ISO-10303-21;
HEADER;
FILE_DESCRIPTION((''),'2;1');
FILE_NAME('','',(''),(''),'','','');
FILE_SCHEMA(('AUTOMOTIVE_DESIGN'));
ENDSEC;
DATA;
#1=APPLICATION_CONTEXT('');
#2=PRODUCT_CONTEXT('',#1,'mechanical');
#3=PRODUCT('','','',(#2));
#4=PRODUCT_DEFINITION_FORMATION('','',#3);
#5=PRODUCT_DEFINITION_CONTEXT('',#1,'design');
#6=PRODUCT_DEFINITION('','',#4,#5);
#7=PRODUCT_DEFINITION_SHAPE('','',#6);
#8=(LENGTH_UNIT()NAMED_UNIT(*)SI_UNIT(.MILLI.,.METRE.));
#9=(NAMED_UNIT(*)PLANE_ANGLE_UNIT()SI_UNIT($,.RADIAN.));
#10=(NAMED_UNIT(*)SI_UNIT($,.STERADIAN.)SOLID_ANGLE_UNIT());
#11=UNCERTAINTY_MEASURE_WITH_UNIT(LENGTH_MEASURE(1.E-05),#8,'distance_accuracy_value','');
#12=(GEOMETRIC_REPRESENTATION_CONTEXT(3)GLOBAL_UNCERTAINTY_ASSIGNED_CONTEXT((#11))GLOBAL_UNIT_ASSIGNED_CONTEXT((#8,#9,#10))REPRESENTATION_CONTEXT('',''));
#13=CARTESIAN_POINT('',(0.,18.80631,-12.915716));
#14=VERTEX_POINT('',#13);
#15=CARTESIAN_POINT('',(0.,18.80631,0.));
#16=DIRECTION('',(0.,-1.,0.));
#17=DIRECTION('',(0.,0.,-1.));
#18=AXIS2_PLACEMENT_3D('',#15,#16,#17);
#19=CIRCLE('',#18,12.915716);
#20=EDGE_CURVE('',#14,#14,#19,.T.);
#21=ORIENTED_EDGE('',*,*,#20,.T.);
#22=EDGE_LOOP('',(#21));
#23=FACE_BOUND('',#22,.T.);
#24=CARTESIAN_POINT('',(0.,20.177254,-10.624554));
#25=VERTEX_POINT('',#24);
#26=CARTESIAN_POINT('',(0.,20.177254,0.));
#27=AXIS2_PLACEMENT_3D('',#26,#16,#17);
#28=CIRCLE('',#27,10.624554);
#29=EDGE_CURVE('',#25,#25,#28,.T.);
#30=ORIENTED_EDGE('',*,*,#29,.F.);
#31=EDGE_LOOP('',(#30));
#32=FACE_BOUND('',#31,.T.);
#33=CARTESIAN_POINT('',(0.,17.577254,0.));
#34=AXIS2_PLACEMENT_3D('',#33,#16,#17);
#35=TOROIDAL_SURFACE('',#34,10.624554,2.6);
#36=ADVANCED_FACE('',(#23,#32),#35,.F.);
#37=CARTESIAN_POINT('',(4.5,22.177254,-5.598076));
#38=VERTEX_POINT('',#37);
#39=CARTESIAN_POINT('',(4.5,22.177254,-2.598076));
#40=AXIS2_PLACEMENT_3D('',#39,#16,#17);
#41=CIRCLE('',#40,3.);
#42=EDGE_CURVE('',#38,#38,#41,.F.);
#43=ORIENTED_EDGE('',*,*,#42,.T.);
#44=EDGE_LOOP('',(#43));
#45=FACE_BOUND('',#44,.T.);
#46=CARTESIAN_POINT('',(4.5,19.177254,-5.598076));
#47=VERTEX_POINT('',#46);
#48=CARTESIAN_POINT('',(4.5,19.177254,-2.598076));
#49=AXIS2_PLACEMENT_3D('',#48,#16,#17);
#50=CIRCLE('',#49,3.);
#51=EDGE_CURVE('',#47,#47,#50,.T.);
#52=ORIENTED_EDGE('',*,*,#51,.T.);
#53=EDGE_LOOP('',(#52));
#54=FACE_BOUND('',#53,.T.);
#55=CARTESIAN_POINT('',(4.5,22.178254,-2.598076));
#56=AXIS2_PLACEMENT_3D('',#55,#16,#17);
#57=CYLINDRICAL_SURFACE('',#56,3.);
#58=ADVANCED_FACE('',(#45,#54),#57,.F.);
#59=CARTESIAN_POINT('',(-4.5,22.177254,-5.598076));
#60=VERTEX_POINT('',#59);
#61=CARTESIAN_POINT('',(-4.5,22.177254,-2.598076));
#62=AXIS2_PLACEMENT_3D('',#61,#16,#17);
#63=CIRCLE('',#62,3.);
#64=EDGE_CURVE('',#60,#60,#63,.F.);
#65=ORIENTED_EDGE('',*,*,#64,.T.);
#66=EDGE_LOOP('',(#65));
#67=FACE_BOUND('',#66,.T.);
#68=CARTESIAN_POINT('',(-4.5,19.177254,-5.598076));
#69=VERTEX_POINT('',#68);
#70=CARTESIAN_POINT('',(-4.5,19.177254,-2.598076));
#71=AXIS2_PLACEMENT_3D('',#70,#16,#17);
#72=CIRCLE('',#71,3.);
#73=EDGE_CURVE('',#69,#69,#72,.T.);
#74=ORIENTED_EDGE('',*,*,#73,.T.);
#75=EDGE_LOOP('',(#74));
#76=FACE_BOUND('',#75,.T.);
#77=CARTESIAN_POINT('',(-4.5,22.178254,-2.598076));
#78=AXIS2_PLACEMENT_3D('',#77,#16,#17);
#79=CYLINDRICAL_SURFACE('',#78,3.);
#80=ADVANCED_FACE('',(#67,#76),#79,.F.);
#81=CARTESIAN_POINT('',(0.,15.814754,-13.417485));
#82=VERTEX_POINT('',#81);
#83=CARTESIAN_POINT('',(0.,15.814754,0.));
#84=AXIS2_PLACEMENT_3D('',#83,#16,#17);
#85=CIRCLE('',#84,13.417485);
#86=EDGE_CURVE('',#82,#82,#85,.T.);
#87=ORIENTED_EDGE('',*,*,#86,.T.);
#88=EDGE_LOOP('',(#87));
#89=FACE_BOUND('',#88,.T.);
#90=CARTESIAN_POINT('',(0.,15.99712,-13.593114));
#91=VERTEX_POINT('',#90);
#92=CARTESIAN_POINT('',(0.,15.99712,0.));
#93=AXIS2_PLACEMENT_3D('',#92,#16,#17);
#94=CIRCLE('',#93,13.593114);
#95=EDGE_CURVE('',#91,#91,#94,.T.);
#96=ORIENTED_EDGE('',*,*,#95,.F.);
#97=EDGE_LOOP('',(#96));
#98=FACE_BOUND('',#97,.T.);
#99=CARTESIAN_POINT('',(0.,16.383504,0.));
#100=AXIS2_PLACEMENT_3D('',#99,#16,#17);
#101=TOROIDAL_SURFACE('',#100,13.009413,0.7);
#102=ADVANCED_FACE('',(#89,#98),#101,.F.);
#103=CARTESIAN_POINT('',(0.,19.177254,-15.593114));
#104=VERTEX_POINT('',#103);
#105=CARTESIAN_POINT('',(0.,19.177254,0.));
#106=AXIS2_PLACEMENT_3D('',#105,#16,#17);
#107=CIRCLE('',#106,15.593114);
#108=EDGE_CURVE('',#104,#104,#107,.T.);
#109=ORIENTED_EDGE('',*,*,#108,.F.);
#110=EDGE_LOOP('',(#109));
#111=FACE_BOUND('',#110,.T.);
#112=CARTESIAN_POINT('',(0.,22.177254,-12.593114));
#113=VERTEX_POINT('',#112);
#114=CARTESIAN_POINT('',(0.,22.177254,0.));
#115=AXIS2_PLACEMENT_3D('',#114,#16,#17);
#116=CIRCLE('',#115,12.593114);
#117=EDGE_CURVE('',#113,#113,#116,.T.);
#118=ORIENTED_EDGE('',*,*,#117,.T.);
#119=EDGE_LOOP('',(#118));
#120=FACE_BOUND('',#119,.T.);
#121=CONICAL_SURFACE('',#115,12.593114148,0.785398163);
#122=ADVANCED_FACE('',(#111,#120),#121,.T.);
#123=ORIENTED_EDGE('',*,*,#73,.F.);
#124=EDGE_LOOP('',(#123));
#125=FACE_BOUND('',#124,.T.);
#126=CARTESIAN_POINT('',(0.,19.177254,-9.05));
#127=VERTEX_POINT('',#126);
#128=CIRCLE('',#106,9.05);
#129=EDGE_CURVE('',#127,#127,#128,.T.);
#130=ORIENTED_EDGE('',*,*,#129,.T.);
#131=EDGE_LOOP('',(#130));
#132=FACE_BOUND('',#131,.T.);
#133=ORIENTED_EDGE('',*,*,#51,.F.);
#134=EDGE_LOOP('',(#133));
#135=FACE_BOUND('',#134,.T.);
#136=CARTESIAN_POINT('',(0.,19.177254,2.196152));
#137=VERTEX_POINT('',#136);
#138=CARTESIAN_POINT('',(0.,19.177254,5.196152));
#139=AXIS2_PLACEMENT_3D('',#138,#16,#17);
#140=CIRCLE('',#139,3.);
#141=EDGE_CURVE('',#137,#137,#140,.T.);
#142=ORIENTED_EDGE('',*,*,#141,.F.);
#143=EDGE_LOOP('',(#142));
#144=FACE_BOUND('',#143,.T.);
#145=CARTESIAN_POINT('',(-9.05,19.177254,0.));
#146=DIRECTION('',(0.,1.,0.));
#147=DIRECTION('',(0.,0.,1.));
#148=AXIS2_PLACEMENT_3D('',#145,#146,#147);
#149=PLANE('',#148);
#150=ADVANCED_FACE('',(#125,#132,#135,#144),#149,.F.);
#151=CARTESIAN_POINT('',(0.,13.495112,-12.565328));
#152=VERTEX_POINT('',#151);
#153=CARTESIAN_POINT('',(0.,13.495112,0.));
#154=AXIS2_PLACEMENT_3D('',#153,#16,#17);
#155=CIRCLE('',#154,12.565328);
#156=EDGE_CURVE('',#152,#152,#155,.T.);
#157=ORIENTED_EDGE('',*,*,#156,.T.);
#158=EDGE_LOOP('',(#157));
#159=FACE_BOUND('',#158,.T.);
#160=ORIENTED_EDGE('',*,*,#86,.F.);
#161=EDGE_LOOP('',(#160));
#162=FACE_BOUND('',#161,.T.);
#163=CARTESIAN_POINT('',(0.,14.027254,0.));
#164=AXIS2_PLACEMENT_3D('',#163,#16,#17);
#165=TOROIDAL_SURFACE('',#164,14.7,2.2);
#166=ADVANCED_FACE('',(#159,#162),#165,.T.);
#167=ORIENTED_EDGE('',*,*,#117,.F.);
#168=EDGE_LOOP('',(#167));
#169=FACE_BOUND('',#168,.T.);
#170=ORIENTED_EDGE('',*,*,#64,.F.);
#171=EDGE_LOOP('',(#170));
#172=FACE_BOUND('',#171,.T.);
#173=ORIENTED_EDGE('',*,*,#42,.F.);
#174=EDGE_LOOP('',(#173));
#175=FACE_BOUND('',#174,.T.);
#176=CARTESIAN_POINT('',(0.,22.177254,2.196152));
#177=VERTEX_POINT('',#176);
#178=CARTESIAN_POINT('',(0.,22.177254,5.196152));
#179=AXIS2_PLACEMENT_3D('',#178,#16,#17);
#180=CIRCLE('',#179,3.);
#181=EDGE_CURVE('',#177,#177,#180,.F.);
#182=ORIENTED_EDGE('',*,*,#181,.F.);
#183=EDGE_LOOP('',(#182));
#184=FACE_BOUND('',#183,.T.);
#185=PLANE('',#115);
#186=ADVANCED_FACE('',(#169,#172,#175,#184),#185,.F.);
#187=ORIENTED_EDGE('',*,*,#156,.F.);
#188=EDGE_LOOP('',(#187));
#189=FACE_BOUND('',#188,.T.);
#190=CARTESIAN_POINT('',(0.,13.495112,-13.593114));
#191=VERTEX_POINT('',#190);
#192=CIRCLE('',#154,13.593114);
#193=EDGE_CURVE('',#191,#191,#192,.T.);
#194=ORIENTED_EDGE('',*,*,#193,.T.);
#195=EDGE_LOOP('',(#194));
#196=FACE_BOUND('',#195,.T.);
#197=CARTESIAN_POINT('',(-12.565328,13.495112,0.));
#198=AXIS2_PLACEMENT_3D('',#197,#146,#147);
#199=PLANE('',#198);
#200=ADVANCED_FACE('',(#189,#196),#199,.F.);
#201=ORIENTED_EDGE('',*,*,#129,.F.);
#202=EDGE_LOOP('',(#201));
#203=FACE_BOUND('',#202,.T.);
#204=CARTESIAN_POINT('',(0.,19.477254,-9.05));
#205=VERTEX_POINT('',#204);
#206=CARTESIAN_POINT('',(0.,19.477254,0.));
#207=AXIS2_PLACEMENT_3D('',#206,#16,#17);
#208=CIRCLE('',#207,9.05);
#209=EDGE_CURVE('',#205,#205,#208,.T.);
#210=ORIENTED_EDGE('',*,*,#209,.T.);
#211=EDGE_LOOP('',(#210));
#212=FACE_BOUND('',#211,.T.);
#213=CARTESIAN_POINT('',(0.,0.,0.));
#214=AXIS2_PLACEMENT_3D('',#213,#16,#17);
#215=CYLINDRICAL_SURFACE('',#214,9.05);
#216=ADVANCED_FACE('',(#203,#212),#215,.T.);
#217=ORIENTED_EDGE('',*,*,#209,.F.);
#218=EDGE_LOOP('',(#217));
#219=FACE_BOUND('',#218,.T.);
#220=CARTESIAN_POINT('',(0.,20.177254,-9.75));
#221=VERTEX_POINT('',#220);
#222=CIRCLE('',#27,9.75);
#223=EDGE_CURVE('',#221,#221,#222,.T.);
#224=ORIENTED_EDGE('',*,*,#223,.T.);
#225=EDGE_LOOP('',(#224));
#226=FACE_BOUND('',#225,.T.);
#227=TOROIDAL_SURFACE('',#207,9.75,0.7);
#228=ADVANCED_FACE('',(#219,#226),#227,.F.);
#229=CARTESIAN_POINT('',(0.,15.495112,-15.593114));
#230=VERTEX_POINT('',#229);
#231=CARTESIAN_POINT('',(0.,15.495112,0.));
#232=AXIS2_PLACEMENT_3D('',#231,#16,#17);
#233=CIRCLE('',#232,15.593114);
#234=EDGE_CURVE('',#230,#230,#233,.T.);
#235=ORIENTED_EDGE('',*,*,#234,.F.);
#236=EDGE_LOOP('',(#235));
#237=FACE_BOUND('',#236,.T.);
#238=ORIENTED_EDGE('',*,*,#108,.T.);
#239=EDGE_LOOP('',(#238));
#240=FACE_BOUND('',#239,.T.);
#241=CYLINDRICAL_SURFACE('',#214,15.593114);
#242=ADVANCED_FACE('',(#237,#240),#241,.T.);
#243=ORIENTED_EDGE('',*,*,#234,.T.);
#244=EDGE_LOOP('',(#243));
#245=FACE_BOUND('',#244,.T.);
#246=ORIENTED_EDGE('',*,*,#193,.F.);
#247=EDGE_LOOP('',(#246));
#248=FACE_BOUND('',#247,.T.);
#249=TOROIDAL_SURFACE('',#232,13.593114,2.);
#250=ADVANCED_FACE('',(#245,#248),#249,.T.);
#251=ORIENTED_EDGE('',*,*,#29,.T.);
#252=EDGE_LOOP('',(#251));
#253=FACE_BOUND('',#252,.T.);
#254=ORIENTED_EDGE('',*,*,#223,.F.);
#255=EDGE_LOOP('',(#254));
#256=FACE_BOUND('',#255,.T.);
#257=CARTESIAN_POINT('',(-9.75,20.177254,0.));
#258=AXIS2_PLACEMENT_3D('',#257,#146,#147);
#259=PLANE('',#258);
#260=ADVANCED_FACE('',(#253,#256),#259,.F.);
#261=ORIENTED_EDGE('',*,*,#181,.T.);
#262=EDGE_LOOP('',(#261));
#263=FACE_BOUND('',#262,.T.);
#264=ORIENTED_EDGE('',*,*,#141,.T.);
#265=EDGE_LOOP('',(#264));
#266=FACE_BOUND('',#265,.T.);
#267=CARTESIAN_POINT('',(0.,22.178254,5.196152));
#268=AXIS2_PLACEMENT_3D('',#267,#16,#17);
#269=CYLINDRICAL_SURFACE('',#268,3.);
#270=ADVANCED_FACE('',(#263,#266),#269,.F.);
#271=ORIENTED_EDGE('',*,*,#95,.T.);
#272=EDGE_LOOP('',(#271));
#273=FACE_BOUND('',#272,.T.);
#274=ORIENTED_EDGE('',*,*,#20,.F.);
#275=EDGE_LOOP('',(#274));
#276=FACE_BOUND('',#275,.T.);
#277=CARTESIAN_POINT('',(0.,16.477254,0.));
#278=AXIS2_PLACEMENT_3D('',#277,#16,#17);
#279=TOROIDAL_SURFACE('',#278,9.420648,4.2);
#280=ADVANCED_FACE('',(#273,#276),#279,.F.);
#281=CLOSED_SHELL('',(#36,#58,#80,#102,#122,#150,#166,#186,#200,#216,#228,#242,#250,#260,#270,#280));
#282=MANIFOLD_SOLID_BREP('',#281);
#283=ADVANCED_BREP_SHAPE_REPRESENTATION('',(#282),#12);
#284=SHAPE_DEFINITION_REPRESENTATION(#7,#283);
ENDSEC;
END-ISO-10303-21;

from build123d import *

# Parameters (mm, degrees)
CUT_EXTRUDE1_REACH = 24.772
SKETCH3_R          = 3


with BuildPart() as part:
    # Sketch2 → Revolve1 (revolve)
    with BuildSketch(Plane.XY, mode=Mode.PRIVATE) as revolve1_sk:
        with BuildLine():
            Line((-12.593114148, 22.177254176), (-15.593114148, 19.177254176))
            Line((-15.593114148, 19.177254176), (-15.593114148, 15.495111766))
            ThreePointArc((-15.593114148, 15.495111766), (-15.00732771, 14.080898204), (-13.593114148, 13.495111766))
            Line((-13.593114148, 13.495111766), (-12.565328021, 13.495111766))
            ThreePointArc((-12.565328021, 13.495111766), (-12.634939156, 14.785886966), (-13.41748538, 15.814754176))
            ThreePointArc((-13.41748538, 15.814754176), (-13.513613389, 15.897930793), (-13.593114148, 15.997120375))
            ThreePointArc((-13.593114148, 15.997120375), (-13.503619616, 17.46180735), (-12.915716215, 18.806309784))
            ThreePointArc((-12.915716215, 18.806309784), (-11.959555448, 19.80834635), (-10.624554433, 20.177254176))
            Line((-10.624554433, 20.177254176), (-9.75, 20.177254176))
            ThreePointArc((-9.75, 20.177254176), (-9.255025253, 19.972228922), (-9.05, 19.477254176))
            Line((-9.05, 19.477254176), (-9.05, 19.177254176))
            Line((-9.05, 19.177254176), (0, 19.177254176))
            Line((0, 19.177254176), (0, 22.177254176))
            Line((0, 22.177254176), (-12.593114148, 22.177254176))
        make_face()
    revolve(revolve1_sk.sketch.rotate(Axis((0, 0, 0), (0, 1, 0)), 270), axis=Axis((0, 0, 0), (0, 1, 0)))

    # Sketch3 → Cut-Extrude1 (cut, up to next)
    with BuildSketch(Plane.XZ.offset(-19.177254176), mode=Mode.PRIVATE) as cut_extrude1_sk1:
        with Locations(Location((-4.5, -2.598076211, 0), (0, 0, 270))):
            Circle(SKETCH3_R)
    cut_extrude1_tool1 = extrude(cut_extrude1_sk1.sketch, amount=-CUT_EXTRUDE1_REACH, mode=Mode.PRIVATE) & part.part
    # Sketch3 → Cut-Extrude1 (cut, up to next)
    with BuildSketch(Plane.XZ.offset(-19.177254176), mode=Mode.PRIVATE) as cut_extrude1_sk2:
        with Locations(Location((4.5, -2.598076211, 0), (0, 0, 270))):
            Circle(SKETCH3_R)
    cut_extrude1_tool2 = extrude(cut_extrude1_sk2.sketch, amount=-CUT_EXTRUDE1_REACH, mode=Mode.PRIVATE) & part.part
    # Sketch3 → Cut-Extrude1 (cut, up to next)
    with BuildSketch(Plane.XZ.offset(-19.177254176), mode=Mode.PRIVATE) as cut_extrude1_sk3:
        with Locations(Location((0, 5.196152423, 0), (0, 0, 270))):
            Circle(SKETCH3_R)
    cut_extrude1_tool3 = extrude(cut_extrude1_sk3.sketch, amount=-CUT_EXTRUDE1_REACH, mode=Mode.PRIVATE) & part.part
    add(cut_extrude1_tool1.solids().sort_by_distance((-4.5, 19.177254, -2.598076))[0], mode=Mode.SUBTRACT)
    add(cut_extrude1_tool2.solids().sort_by_distance((4.5, 19.177254, -2.598076))[0], mode=Mode.SUBTRACT)
    add(cut_extrude1_tool3.solids().sort_by_distance((0, 19.177254, 5.196152))[0], mode=Mode.SUBTRACT)


solid = part.part
